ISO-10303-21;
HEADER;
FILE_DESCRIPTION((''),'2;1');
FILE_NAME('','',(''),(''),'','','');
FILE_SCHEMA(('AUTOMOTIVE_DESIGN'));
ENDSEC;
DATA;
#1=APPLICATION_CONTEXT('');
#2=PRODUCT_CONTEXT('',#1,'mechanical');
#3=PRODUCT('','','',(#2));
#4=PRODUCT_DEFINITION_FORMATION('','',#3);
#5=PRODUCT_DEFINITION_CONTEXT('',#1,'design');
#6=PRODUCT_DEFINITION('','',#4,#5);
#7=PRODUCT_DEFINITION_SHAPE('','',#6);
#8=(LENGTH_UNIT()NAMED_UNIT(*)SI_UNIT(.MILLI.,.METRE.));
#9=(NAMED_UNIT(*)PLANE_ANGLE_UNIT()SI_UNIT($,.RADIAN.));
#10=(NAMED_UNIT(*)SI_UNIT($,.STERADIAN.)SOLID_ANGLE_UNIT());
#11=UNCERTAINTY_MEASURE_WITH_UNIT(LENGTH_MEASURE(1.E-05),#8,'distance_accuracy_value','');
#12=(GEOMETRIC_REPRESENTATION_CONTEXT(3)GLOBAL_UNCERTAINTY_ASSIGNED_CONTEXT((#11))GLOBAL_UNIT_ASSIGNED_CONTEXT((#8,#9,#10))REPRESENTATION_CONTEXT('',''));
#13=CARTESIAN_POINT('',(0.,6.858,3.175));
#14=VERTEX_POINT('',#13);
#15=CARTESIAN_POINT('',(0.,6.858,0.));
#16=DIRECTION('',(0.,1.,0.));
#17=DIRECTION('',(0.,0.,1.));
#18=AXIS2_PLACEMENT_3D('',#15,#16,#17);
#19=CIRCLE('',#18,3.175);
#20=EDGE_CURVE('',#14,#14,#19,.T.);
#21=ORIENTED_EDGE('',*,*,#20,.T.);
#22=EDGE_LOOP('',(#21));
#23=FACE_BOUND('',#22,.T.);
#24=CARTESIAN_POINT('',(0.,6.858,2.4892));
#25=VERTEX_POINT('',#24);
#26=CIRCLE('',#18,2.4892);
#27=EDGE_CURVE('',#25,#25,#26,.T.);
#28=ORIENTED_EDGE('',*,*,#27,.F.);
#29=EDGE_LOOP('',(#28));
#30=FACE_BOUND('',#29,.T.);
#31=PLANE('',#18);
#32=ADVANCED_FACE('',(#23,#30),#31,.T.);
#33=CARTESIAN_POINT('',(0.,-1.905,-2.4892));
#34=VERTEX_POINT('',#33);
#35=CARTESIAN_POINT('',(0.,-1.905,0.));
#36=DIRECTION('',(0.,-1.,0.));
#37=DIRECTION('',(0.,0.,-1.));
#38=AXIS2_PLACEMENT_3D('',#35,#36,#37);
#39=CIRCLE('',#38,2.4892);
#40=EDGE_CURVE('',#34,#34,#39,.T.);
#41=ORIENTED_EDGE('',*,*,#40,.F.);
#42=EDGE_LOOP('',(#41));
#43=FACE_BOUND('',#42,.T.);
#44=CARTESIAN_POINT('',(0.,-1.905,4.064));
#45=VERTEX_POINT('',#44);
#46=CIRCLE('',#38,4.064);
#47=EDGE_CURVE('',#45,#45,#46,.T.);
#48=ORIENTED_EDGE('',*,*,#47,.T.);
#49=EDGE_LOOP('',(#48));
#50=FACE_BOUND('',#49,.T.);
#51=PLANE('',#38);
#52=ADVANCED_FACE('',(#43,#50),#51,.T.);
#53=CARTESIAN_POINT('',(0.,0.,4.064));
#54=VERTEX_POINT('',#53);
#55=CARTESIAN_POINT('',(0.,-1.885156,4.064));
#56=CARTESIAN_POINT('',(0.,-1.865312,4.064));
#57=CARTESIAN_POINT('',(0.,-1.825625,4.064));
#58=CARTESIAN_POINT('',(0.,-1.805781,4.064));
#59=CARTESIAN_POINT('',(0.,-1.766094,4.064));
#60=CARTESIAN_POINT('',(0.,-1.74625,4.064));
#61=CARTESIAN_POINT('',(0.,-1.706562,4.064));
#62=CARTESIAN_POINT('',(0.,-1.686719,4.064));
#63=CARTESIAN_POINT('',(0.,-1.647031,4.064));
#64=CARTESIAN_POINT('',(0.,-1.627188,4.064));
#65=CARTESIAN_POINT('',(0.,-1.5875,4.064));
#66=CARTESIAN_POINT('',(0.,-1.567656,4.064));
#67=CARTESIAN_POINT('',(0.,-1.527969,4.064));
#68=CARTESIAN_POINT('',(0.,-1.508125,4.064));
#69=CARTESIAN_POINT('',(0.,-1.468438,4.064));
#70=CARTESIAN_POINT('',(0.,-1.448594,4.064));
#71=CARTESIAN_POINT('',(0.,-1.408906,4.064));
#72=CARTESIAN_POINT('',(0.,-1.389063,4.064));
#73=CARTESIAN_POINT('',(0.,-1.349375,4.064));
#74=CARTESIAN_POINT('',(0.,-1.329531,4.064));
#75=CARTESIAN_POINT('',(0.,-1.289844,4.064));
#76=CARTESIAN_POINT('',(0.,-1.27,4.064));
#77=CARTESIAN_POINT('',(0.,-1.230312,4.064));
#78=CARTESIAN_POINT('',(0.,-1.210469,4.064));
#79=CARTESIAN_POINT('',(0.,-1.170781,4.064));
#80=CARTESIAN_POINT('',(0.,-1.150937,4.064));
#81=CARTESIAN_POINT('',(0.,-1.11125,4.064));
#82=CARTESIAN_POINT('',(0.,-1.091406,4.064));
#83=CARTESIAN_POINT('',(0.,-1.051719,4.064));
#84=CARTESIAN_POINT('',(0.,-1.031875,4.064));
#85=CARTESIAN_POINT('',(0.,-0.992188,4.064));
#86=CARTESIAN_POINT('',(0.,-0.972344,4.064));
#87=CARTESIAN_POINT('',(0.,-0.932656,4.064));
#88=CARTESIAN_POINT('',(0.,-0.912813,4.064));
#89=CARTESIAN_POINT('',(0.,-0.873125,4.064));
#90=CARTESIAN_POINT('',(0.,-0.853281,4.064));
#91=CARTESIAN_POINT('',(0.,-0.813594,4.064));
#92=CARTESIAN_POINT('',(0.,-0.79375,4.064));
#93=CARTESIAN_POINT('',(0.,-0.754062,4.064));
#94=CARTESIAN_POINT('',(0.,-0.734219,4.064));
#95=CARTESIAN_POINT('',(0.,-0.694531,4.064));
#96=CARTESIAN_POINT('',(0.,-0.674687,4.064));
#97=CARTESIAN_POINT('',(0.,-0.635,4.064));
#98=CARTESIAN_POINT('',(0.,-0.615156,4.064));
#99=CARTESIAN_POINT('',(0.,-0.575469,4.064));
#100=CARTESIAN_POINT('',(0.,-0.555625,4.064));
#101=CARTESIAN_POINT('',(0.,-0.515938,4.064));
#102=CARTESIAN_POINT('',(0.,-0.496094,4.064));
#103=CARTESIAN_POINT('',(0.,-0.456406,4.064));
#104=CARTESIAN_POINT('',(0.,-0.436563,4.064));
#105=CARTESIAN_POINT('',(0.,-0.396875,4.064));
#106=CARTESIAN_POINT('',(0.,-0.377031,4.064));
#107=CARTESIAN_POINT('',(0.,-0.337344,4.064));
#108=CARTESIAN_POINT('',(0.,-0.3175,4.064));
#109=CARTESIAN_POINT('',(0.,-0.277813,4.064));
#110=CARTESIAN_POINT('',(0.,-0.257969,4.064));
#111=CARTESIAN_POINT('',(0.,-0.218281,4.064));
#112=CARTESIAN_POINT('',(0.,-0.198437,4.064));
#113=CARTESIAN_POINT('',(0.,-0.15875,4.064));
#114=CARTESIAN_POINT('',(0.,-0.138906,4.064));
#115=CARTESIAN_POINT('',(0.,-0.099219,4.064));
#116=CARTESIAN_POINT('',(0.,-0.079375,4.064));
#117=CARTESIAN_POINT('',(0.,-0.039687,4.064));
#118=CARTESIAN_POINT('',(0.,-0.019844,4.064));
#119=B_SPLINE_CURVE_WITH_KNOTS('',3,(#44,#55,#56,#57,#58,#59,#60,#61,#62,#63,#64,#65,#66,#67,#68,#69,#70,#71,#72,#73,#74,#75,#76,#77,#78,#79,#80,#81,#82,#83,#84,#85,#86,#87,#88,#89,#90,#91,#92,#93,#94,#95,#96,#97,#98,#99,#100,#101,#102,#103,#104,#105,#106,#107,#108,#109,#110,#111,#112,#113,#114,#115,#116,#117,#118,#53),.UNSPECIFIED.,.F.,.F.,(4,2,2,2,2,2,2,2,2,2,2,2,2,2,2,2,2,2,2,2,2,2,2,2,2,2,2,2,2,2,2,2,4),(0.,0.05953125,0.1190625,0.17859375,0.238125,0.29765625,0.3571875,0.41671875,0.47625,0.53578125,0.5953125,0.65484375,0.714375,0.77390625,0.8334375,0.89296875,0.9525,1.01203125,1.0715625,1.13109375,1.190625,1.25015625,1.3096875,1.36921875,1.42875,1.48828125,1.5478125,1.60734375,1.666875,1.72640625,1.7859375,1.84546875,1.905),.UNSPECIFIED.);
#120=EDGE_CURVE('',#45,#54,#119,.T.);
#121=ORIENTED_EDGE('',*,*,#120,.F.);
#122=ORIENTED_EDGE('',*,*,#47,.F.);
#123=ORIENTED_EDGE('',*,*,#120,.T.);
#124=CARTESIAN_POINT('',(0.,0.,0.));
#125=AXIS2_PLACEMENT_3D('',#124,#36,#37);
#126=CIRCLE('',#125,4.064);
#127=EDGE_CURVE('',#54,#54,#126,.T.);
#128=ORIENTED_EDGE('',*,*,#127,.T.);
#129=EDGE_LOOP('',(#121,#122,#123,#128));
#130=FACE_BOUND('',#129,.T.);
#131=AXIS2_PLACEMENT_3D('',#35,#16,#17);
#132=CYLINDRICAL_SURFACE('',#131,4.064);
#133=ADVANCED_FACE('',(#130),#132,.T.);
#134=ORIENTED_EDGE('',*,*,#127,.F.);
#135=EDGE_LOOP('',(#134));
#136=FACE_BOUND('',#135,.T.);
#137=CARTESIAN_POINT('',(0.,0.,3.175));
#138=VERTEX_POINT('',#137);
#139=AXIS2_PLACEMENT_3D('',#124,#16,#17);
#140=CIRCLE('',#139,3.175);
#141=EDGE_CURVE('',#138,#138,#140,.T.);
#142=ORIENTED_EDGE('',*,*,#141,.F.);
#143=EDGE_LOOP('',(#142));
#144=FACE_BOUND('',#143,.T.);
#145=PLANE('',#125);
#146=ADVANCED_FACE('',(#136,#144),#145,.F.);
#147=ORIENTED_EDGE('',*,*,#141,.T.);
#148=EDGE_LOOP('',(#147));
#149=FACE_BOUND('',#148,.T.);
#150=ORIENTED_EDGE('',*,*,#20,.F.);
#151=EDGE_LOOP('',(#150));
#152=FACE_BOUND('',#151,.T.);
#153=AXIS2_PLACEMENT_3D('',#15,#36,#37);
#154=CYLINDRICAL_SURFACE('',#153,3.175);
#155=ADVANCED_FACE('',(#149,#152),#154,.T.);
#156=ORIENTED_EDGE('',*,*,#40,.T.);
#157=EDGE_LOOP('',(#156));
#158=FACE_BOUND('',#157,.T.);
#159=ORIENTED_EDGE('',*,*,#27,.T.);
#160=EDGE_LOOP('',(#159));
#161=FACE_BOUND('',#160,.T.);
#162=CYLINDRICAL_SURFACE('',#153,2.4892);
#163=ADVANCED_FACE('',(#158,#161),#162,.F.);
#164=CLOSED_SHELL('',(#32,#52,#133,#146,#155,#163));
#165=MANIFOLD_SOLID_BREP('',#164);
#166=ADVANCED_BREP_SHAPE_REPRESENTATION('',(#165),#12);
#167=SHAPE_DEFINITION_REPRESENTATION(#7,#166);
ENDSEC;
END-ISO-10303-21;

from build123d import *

# Parameters (mm, degrees)
SKETCH1_R           = 3.175
SKETCH1_R_2         = 2.4892
BOSS_EXTRUDE1_DEPTH = 6.858
SKETCH2_R           = 4.064
BOSS_EXTRUDE2_DEPTH = 1.905
SKETCH3_R           = 2.4892
CUT_EXTRUDE1_DEPTH  = 11.479616453


with BuildPart() as part:
    # Sketch1 → Boss-Extrude1 (new body)
    with BuildSketch(Plane(origin=(0, 0, 0), x_dir=(1, 0, 0), z_dir=(0, 1, 0))):
        with Locations(Location((0, 0, 0), (0, 0, 270))):
            Circle(SKETCH1_R)
        with Locations(Location((0, 0, 0), (0, 0, 270))):
            Circle(SKETCH1_R_2, mode=Mode.SUBTRACT)
    extrude(amount=BOSS_EXTRUDE1_DEPTH)

    # Sketch2 → Boss-Extrude2 (add)
    with BuildSketch(Plane.XZ):
        with Locations(Location((0, 0, 0), (0, 0, 90))):
            Circle(SKETCH2_R)
    extrude(amount=BOSS_EXTRUDE2_DEPTH)

    # Sketch3 → Cut-Extrude1 (cut, through all)
    with BuildSketch(Plane.XZ.offset(1.905)):
        with Locations(Location((0, 0, 0), (0, 0, 270))):
            Circle(SKETCH3_R)
    extrude(amount=-CUT_EXTRUDE1_DEPTH, mode=Mode.SUBTRACT)


solid = part.part
